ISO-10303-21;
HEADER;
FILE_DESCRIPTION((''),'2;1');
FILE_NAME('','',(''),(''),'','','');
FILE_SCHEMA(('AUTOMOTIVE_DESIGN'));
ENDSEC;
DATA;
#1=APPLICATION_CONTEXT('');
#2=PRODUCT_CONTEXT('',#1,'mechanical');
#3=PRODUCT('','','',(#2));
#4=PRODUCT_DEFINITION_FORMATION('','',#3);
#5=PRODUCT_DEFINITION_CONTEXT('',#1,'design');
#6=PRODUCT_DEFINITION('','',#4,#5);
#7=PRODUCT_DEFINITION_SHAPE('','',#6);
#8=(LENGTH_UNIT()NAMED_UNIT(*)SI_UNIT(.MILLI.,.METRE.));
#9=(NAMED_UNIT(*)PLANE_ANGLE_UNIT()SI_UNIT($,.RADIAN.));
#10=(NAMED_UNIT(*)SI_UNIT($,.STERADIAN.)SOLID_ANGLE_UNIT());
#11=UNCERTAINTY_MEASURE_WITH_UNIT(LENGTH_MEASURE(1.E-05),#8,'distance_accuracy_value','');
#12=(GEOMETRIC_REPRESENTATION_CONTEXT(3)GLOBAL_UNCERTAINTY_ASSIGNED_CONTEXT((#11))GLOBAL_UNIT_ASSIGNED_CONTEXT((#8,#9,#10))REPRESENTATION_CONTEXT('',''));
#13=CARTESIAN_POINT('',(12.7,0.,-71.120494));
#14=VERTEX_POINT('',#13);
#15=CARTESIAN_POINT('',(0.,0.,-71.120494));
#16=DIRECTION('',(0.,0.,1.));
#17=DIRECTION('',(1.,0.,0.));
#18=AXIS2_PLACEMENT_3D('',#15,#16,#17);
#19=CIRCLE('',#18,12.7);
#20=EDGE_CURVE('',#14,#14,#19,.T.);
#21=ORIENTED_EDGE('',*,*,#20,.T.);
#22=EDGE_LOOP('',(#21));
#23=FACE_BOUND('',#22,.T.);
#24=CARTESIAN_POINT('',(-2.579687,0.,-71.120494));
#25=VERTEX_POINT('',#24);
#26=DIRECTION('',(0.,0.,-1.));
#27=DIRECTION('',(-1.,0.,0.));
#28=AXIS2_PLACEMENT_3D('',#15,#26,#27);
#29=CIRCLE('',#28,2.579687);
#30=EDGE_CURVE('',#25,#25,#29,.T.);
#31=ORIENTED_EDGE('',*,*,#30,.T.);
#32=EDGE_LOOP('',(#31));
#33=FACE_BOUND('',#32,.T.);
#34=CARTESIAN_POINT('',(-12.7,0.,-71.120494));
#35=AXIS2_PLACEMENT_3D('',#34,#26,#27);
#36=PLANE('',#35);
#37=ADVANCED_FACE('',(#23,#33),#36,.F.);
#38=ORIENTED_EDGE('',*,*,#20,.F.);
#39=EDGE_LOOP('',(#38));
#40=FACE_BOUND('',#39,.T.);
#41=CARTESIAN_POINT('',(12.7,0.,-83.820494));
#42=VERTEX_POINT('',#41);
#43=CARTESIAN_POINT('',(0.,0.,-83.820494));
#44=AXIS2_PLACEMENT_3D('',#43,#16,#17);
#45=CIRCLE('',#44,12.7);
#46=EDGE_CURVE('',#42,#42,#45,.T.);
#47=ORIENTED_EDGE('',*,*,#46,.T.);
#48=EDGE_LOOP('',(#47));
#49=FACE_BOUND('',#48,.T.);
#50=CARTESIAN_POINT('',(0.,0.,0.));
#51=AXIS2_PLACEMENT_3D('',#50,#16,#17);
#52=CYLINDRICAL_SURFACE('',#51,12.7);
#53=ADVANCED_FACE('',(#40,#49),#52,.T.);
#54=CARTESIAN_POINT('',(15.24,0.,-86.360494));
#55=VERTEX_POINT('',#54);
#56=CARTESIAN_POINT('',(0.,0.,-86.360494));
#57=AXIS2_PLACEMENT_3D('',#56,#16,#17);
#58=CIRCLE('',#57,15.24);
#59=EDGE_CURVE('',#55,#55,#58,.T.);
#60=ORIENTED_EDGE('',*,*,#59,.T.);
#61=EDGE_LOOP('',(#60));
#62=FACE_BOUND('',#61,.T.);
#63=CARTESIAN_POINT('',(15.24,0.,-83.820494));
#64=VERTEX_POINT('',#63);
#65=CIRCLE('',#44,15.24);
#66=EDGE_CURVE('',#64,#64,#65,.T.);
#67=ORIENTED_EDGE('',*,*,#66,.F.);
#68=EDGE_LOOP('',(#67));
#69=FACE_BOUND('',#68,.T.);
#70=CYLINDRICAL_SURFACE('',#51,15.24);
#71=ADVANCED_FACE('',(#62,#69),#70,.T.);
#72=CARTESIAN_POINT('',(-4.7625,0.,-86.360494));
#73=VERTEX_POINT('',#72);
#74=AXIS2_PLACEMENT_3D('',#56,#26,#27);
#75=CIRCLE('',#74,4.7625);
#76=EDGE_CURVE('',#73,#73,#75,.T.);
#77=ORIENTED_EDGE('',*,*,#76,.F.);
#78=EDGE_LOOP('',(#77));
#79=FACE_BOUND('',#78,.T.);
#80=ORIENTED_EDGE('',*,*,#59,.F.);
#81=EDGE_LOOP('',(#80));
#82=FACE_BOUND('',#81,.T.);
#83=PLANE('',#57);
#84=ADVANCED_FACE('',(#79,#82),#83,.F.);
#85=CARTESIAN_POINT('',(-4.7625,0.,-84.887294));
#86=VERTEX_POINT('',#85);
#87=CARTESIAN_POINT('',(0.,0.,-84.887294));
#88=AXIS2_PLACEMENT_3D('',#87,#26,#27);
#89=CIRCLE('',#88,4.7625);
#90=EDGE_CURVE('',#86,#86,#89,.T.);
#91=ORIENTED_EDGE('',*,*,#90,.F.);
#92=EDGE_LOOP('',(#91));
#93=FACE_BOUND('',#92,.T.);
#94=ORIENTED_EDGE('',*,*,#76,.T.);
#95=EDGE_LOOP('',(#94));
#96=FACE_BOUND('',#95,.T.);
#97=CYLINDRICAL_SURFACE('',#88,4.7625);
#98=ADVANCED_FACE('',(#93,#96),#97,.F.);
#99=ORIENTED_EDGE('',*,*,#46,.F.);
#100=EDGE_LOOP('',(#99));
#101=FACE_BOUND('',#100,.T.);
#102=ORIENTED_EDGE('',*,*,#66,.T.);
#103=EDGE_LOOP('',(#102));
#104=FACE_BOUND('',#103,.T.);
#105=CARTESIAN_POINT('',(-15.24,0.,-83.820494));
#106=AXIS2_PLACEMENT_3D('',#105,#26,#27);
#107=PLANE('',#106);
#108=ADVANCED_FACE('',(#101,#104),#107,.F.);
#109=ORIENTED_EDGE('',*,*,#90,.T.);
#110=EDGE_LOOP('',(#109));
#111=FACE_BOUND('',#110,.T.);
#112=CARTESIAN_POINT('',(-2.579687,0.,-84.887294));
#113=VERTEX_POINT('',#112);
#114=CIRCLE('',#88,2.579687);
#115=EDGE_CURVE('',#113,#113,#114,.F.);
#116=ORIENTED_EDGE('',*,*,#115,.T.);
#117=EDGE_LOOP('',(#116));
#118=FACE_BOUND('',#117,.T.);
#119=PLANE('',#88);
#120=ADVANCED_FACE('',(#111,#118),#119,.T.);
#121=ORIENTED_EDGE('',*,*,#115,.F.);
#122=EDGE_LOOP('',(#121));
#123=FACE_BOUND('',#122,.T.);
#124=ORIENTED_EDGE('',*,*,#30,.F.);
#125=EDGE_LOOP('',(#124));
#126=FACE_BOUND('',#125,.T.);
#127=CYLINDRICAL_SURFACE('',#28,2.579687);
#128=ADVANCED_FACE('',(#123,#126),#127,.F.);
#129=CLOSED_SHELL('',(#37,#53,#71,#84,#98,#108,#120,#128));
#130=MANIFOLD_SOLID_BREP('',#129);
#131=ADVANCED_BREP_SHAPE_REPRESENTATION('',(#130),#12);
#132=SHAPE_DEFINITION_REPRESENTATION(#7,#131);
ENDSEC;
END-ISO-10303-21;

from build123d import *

# Parameters (mm, degrees)
SKETCH2_R          = 2.5796875
CUT_EXTRUDE1_DEPTH = 27.396454307
SKETCH3_R          = 4.7625
CUT_EXTRUDE2_DEPTH = 1.4732


with BuildPart() as part:
    # Sketch1 → Revolve1 (revolve)
    with BuildSketch(Plane(origin=(0, 0, 0), x_dir=(1, 0, 0), z_dir=(0, 1, 0)), mode=Mode.PRIVATE) as revolve1_sk:
        Polygon((0, 71.120493703), (0, 86.360493703), (-15.24, 86.360493703), (-15.24, 83.820493703), (-12.7, 83.820493703), (-12.7, 71.120493703), align=None)
    revolve(revolve1_sk.sketch.rotate(Axis((0, 0, 0), (0, 0, -1)), 180), axis=Axis((0, 0, 0), (0, 0, -1)))

    # Sketch2 → Cut-Extrude1 (cut, through all)
    with BuildSketch(Plane(origin=(0, 0, -86.360493703), x_dir=(-1, 0, 0), z_dir=(0, 0, -1))):
        Circle(SKETCH2_R)
    extrude(amount=-CUT_EXTRUDE1_DEPTH, mode=Mode.SUBTRACT)

    # Sketch3 → Cut-Extrude2 (cut)
    with BuildSketch(Plane(origin=(0, 0, -86.360493703), x_dir=(-1, 0, 0), z_dir=(0, 0, -1))):
        Circle(SKETCH3_R)
    extrude(amount=-CUT_EXTRUDE2_DEPTH, mode=Mode.SUBTRACT)


solid = part.part
